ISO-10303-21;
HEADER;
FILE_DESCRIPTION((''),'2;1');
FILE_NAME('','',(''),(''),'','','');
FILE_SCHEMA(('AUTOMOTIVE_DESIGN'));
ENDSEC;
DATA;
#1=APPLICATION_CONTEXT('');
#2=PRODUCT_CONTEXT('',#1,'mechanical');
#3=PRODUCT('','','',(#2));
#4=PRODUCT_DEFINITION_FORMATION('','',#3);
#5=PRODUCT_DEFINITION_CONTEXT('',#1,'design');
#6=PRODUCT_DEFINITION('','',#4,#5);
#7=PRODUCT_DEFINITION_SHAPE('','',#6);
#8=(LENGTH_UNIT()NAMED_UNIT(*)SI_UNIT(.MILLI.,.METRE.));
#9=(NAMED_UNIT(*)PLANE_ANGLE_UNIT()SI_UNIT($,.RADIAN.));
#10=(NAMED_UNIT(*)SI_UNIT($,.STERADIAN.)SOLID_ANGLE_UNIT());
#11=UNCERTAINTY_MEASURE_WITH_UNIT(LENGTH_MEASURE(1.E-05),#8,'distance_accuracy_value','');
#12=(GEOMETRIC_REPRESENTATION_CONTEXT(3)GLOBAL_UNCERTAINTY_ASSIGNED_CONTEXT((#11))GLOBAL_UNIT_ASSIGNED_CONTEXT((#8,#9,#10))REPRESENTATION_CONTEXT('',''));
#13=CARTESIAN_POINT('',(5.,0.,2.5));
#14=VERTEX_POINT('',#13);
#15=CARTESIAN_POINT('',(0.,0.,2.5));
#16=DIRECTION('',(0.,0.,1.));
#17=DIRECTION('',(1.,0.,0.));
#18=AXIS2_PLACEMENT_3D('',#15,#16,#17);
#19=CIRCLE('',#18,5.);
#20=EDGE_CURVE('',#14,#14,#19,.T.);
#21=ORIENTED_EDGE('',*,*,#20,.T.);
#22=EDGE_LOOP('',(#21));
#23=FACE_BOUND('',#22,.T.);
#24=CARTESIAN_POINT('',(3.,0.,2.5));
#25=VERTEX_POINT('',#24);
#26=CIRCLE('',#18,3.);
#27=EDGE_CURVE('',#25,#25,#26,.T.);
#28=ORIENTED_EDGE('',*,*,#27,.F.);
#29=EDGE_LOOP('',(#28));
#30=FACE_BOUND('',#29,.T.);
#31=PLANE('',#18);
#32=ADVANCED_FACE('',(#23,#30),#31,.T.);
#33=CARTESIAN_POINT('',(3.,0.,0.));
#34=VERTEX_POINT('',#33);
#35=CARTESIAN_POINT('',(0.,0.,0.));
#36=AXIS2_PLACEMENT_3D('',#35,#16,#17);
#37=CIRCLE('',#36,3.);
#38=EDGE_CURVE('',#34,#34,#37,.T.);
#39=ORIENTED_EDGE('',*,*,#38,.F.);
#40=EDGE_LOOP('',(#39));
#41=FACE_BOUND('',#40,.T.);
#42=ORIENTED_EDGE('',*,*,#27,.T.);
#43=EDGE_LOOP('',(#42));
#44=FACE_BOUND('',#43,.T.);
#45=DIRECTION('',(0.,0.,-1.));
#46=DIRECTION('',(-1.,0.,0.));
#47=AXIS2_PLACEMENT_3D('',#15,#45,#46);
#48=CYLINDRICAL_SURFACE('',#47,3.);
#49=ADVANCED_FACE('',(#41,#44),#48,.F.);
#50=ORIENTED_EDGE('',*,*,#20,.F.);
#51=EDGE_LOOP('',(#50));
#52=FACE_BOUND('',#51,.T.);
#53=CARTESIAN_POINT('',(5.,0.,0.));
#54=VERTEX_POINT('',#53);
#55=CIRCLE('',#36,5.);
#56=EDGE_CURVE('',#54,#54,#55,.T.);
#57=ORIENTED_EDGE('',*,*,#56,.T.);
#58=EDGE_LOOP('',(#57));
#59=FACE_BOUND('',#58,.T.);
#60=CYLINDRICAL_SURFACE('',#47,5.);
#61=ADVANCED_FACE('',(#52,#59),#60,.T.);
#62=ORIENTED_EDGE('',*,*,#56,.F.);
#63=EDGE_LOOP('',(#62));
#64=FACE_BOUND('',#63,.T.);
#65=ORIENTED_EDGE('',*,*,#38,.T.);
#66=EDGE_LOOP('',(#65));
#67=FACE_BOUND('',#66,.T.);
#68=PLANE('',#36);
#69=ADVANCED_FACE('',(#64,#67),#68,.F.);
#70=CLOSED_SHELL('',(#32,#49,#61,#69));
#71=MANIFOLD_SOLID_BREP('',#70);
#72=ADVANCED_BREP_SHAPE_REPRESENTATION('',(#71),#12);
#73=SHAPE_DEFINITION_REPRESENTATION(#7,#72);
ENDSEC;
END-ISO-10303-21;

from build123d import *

# Parameters (mm, degrees)
SKETCH_1_R      = 5
SKETCH_1_R_2    = 3
EXTRUDE_1_DEPTH = 2.5


with BuildPart() as part:
    # ｽｹｯﾁ1 → ﾎﾞｽ - 押し出し1 (new body)
    with BuildSketch(Plane.XY):
        Circle(SKETCH_1_R)
        Circle(SKETCH_1_R_2, mode=Mode.SUBTRACT)
    extrude(amount=EXTRUDE_1_DEPTH)


solid = part.part
